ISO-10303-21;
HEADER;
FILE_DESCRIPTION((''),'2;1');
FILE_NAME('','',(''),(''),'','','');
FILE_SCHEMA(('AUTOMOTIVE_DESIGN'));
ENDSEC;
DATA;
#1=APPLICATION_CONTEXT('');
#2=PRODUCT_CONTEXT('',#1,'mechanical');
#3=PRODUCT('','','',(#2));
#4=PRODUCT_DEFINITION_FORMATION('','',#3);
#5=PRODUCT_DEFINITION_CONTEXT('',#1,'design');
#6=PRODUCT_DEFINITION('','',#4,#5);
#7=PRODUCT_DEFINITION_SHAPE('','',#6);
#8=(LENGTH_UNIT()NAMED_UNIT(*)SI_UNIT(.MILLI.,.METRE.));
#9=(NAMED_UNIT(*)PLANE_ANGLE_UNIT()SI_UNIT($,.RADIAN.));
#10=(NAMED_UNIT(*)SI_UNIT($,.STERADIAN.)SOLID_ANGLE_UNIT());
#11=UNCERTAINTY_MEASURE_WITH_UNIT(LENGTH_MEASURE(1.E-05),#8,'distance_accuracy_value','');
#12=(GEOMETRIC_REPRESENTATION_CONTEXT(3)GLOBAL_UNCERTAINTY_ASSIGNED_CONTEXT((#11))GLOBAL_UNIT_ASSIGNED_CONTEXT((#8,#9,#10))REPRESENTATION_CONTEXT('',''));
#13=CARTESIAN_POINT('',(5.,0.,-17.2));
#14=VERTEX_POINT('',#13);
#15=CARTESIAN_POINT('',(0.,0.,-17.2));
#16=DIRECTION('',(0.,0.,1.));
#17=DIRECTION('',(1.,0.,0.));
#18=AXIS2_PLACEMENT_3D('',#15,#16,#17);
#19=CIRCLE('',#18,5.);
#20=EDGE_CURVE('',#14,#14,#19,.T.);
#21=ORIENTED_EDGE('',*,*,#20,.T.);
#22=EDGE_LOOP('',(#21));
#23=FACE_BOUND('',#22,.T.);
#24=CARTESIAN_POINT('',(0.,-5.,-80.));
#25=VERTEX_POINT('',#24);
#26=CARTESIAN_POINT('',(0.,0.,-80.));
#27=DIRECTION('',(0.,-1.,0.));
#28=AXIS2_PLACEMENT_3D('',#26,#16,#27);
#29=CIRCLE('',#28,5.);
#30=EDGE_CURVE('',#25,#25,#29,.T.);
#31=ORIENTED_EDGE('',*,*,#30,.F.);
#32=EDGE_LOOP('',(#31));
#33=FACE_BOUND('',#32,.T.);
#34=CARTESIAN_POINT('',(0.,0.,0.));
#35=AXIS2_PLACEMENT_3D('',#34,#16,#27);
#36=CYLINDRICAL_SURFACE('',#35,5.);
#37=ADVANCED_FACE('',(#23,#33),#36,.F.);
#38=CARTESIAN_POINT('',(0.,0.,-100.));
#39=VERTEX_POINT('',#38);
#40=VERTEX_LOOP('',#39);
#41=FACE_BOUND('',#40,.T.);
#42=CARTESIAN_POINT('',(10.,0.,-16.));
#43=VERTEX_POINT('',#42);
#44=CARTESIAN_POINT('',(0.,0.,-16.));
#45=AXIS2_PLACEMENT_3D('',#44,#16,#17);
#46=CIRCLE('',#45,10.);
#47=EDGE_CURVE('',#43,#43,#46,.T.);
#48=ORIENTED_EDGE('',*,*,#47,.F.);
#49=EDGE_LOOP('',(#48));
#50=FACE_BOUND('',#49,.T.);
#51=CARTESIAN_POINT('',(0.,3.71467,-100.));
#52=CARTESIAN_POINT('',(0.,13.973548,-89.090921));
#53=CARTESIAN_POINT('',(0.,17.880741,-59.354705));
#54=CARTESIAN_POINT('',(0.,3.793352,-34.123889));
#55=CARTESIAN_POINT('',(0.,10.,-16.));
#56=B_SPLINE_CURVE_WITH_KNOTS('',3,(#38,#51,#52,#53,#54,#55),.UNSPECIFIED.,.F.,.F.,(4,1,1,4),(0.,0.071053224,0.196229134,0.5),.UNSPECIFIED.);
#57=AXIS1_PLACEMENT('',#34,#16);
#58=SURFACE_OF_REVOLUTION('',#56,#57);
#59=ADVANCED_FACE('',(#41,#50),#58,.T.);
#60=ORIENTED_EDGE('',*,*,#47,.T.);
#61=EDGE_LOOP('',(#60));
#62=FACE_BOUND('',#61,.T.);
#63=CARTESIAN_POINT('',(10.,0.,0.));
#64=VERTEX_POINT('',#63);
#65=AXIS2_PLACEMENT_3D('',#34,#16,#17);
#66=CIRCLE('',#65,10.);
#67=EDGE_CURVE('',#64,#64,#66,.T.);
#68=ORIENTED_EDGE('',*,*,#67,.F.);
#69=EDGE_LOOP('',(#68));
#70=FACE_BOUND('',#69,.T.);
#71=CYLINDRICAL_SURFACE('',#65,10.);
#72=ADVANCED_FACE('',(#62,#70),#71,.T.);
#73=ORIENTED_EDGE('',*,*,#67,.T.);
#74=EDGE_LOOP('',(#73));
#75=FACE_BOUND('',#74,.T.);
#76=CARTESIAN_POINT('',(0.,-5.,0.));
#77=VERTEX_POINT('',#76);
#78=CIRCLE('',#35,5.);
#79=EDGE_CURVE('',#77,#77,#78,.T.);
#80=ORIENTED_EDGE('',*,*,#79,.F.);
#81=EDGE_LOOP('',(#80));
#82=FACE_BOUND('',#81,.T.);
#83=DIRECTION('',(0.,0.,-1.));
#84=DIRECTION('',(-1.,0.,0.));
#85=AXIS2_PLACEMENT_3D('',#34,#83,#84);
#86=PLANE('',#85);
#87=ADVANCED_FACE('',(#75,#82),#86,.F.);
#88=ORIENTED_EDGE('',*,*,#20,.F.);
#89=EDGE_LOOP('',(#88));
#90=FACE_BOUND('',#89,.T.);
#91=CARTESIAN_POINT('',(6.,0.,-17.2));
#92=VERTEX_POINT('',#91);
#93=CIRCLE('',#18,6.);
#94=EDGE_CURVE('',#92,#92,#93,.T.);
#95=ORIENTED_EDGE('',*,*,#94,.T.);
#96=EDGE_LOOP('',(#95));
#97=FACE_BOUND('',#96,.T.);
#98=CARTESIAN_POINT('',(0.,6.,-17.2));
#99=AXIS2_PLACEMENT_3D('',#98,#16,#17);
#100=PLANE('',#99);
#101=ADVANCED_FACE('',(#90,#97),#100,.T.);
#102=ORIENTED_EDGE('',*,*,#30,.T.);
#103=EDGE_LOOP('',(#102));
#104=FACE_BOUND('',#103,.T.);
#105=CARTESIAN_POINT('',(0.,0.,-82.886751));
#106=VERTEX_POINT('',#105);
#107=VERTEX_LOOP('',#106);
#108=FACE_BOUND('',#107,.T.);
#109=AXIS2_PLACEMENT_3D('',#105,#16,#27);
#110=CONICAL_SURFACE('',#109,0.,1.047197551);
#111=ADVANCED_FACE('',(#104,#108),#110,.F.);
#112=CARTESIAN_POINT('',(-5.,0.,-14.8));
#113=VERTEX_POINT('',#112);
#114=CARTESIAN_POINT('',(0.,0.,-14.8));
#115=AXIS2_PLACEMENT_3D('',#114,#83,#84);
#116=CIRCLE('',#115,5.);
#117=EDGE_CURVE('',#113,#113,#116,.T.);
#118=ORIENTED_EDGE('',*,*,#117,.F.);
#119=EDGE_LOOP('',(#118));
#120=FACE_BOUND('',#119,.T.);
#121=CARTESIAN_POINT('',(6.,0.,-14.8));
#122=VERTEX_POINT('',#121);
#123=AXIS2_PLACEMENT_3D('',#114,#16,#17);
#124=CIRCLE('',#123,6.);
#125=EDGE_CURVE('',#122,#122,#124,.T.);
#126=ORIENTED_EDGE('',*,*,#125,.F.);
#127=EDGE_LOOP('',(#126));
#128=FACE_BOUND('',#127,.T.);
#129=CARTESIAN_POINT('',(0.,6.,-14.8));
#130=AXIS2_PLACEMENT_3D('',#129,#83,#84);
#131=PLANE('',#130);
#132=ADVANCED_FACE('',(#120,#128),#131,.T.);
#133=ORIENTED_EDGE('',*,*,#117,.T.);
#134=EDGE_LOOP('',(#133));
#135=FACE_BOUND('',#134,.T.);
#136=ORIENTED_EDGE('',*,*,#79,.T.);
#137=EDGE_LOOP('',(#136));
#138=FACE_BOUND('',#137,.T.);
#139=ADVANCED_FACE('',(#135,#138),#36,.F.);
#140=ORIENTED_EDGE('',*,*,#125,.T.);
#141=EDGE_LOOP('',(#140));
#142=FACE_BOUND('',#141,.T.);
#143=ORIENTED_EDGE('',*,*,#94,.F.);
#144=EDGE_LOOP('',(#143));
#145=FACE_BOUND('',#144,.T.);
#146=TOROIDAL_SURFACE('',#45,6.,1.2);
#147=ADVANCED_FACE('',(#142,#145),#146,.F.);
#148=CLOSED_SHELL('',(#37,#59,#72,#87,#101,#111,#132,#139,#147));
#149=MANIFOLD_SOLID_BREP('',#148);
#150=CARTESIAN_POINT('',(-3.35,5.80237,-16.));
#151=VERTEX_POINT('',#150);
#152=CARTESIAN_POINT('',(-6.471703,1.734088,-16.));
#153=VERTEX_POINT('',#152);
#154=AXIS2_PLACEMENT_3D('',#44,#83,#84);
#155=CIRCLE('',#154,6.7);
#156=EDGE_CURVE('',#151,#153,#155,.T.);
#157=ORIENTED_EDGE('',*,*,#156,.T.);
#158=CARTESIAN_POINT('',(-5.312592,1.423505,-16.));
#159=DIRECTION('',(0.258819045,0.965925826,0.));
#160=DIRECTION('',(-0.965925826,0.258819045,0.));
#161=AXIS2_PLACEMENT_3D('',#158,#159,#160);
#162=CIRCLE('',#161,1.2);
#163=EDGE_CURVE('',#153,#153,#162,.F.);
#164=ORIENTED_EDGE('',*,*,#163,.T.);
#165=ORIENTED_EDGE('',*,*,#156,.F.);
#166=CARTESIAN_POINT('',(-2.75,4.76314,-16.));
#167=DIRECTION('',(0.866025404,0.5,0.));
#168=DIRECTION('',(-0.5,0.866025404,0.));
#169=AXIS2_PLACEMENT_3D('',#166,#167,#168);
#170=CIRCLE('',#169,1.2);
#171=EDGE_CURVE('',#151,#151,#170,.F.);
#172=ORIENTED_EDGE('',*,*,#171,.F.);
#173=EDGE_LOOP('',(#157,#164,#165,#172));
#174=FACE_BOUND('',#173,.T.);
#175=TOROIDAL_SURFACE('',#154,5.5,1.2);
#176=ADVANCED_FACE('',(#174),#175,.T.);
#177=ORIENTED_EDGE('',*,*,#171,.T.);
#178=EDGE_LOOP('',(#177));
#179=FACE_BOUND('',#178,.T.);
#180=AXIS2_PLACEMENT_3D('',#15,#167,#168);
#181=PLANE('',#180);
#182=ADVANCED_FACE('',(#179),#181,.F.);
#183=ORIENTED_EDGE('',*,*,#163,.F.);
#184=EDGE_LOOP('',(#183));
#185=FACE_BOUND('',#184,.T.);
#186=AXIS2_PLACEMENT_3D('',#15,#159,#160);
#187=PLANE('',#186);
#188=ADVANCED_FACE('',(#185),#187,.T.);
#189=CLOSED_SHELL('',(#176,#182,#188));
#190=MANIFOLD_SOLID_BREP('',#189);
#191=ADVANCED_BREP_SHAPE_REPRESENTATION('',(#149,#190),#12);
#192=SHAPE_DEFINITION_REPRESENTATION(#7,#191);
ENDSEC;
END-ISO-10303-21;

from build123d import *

# Parameters (mm, degrees)
SKETCH_5_R          = 1.2
CUT_EXTRUDE_1_DEPTH = 1.2


with BuildPart() as part:
    # Эскиз1 → Повернуть1 (revolve)
    with BuildSketch(Plane(origin=(0, 0, 0), x_dir=(0, 0, -1), z_dir=(1, 0, 0)), mode=Mode.PRIVATE) as revolve_1_sk:
        with BuildLine():
            Line((0, 0), (0, 10))
            Line((0, 10), (6, 10))
            Line((6, 10), (16, 10))
            add(Edge.make_bspline(
                [(16, 10), (34.123888975, 3.793352477), (59.354704709, 17.880741336), (89.090921455, 13.973548109), (100.000000001, 3.714669584), (100, 0)],
                knots=[0, 0, 0, 0, 0.303770866, 0.428946776, 0.5, 0.5, 0.5, 0.5], degree=3))
            Line((100, 0), (0, 0))
        make_face()
    revolve(revolve_1_sk.sketch.rotate(Axis((0, 0, 0), (0, 0, -1)), 90), axis=Axis((0, 0, 0), (0, 0, -1)))

    # Эскиз2 → Вырез-Повернуть1 (revolve, cut)
    with BuildSketch(Plane(origin=(0, 0, 0), x_dir=(0, 0, -1), z_dir=(1, 0, 0)), mode=Mode.PRIVATE) as cut_revolve_1_sk:
        Polygon((0, 0), (0, 5), (80, 5), (82.886751346, 0), align=None)
    revolve(cut_revolve_1_sk.sketch.rotate(Axis((0, 0, 0), (0, 0, -1)), 180), axis=Axis((0, 0, 0), (0, 0, -1)), mode=Mode.SUBTRACT)

    # Эскиз3 → Вырез-Повернуть2 (revolve, cut)
    with BuildSketch(Plane(origin=(0, 0, 0), x_dir=(0, 0, -1), z_dir=(1, 0, 0)), mode=Mode.PRIVATE) as cut_revolve_2_sk:
        with BuildLine():
            Line((14.8, 0), (17.2, 0))
            Line((17.2, 0), (17.2, 6))
            ThreePointArc((17.2, 6), (16, 7.2), (14.8, 6))
            Line((14.8, 6), (14.8, 0))
        make_face()
    revolve(cut_revolve_2_sk.sketch.rotate(Axis((0, 0, 0), (0, 0, -1)), 180), axis=Axis((0, 0, 0), (0, 0, -1)), mode=Mode.SUBTRACT)


with BuildPart() as body_2:
    # Эскиз5 → Повернуть2 (revolve)
    with BuildSketch(Plane(origin=(0, 0, 0), x_dir=(0, 0, -1), z_dir=(1, 0, 0)), mode=Mode.PRIVATE) as revolve_2_sk:
        with Locations((16, 5.5)):
            Circle(SKETCH_5_R)
    revolve(revolve_2_sk.sketch.rotate(Axis((0, 0, -17.2), (0, 0, 1)), 270), axis=Axis((0, 0, -17.2), (0, 0, 1)))

    # Эскиз6 → Вырез-Вытянуть1 (cut, symmetric)
    with BuildSketch(Plane.XY.offset(-16)):
        with BuildLine():
            Line((-2.089403248, 3.618952583), (-3.439432084, 5.957271118))
            ThreePointArc((-3.439432084, 5.957271118), (-5.457369865, 4.18758718), (-6.644472555, 1.780381055))
            Line((-6.644472555, 1.780381055), (-4.036417117, 1.081554707))
            ThreePointArc((-4.036417117, 1.081554707), (-3.315270092, 2.543896214), (-2.089403248, 3.618952583))
        make_face()
    extrude(amount=CUT_EXTRUDE_1_DEPTH, both=True, mode=Mode.SUBTRACT)


solid = Compound([part.part, body_2.part])
